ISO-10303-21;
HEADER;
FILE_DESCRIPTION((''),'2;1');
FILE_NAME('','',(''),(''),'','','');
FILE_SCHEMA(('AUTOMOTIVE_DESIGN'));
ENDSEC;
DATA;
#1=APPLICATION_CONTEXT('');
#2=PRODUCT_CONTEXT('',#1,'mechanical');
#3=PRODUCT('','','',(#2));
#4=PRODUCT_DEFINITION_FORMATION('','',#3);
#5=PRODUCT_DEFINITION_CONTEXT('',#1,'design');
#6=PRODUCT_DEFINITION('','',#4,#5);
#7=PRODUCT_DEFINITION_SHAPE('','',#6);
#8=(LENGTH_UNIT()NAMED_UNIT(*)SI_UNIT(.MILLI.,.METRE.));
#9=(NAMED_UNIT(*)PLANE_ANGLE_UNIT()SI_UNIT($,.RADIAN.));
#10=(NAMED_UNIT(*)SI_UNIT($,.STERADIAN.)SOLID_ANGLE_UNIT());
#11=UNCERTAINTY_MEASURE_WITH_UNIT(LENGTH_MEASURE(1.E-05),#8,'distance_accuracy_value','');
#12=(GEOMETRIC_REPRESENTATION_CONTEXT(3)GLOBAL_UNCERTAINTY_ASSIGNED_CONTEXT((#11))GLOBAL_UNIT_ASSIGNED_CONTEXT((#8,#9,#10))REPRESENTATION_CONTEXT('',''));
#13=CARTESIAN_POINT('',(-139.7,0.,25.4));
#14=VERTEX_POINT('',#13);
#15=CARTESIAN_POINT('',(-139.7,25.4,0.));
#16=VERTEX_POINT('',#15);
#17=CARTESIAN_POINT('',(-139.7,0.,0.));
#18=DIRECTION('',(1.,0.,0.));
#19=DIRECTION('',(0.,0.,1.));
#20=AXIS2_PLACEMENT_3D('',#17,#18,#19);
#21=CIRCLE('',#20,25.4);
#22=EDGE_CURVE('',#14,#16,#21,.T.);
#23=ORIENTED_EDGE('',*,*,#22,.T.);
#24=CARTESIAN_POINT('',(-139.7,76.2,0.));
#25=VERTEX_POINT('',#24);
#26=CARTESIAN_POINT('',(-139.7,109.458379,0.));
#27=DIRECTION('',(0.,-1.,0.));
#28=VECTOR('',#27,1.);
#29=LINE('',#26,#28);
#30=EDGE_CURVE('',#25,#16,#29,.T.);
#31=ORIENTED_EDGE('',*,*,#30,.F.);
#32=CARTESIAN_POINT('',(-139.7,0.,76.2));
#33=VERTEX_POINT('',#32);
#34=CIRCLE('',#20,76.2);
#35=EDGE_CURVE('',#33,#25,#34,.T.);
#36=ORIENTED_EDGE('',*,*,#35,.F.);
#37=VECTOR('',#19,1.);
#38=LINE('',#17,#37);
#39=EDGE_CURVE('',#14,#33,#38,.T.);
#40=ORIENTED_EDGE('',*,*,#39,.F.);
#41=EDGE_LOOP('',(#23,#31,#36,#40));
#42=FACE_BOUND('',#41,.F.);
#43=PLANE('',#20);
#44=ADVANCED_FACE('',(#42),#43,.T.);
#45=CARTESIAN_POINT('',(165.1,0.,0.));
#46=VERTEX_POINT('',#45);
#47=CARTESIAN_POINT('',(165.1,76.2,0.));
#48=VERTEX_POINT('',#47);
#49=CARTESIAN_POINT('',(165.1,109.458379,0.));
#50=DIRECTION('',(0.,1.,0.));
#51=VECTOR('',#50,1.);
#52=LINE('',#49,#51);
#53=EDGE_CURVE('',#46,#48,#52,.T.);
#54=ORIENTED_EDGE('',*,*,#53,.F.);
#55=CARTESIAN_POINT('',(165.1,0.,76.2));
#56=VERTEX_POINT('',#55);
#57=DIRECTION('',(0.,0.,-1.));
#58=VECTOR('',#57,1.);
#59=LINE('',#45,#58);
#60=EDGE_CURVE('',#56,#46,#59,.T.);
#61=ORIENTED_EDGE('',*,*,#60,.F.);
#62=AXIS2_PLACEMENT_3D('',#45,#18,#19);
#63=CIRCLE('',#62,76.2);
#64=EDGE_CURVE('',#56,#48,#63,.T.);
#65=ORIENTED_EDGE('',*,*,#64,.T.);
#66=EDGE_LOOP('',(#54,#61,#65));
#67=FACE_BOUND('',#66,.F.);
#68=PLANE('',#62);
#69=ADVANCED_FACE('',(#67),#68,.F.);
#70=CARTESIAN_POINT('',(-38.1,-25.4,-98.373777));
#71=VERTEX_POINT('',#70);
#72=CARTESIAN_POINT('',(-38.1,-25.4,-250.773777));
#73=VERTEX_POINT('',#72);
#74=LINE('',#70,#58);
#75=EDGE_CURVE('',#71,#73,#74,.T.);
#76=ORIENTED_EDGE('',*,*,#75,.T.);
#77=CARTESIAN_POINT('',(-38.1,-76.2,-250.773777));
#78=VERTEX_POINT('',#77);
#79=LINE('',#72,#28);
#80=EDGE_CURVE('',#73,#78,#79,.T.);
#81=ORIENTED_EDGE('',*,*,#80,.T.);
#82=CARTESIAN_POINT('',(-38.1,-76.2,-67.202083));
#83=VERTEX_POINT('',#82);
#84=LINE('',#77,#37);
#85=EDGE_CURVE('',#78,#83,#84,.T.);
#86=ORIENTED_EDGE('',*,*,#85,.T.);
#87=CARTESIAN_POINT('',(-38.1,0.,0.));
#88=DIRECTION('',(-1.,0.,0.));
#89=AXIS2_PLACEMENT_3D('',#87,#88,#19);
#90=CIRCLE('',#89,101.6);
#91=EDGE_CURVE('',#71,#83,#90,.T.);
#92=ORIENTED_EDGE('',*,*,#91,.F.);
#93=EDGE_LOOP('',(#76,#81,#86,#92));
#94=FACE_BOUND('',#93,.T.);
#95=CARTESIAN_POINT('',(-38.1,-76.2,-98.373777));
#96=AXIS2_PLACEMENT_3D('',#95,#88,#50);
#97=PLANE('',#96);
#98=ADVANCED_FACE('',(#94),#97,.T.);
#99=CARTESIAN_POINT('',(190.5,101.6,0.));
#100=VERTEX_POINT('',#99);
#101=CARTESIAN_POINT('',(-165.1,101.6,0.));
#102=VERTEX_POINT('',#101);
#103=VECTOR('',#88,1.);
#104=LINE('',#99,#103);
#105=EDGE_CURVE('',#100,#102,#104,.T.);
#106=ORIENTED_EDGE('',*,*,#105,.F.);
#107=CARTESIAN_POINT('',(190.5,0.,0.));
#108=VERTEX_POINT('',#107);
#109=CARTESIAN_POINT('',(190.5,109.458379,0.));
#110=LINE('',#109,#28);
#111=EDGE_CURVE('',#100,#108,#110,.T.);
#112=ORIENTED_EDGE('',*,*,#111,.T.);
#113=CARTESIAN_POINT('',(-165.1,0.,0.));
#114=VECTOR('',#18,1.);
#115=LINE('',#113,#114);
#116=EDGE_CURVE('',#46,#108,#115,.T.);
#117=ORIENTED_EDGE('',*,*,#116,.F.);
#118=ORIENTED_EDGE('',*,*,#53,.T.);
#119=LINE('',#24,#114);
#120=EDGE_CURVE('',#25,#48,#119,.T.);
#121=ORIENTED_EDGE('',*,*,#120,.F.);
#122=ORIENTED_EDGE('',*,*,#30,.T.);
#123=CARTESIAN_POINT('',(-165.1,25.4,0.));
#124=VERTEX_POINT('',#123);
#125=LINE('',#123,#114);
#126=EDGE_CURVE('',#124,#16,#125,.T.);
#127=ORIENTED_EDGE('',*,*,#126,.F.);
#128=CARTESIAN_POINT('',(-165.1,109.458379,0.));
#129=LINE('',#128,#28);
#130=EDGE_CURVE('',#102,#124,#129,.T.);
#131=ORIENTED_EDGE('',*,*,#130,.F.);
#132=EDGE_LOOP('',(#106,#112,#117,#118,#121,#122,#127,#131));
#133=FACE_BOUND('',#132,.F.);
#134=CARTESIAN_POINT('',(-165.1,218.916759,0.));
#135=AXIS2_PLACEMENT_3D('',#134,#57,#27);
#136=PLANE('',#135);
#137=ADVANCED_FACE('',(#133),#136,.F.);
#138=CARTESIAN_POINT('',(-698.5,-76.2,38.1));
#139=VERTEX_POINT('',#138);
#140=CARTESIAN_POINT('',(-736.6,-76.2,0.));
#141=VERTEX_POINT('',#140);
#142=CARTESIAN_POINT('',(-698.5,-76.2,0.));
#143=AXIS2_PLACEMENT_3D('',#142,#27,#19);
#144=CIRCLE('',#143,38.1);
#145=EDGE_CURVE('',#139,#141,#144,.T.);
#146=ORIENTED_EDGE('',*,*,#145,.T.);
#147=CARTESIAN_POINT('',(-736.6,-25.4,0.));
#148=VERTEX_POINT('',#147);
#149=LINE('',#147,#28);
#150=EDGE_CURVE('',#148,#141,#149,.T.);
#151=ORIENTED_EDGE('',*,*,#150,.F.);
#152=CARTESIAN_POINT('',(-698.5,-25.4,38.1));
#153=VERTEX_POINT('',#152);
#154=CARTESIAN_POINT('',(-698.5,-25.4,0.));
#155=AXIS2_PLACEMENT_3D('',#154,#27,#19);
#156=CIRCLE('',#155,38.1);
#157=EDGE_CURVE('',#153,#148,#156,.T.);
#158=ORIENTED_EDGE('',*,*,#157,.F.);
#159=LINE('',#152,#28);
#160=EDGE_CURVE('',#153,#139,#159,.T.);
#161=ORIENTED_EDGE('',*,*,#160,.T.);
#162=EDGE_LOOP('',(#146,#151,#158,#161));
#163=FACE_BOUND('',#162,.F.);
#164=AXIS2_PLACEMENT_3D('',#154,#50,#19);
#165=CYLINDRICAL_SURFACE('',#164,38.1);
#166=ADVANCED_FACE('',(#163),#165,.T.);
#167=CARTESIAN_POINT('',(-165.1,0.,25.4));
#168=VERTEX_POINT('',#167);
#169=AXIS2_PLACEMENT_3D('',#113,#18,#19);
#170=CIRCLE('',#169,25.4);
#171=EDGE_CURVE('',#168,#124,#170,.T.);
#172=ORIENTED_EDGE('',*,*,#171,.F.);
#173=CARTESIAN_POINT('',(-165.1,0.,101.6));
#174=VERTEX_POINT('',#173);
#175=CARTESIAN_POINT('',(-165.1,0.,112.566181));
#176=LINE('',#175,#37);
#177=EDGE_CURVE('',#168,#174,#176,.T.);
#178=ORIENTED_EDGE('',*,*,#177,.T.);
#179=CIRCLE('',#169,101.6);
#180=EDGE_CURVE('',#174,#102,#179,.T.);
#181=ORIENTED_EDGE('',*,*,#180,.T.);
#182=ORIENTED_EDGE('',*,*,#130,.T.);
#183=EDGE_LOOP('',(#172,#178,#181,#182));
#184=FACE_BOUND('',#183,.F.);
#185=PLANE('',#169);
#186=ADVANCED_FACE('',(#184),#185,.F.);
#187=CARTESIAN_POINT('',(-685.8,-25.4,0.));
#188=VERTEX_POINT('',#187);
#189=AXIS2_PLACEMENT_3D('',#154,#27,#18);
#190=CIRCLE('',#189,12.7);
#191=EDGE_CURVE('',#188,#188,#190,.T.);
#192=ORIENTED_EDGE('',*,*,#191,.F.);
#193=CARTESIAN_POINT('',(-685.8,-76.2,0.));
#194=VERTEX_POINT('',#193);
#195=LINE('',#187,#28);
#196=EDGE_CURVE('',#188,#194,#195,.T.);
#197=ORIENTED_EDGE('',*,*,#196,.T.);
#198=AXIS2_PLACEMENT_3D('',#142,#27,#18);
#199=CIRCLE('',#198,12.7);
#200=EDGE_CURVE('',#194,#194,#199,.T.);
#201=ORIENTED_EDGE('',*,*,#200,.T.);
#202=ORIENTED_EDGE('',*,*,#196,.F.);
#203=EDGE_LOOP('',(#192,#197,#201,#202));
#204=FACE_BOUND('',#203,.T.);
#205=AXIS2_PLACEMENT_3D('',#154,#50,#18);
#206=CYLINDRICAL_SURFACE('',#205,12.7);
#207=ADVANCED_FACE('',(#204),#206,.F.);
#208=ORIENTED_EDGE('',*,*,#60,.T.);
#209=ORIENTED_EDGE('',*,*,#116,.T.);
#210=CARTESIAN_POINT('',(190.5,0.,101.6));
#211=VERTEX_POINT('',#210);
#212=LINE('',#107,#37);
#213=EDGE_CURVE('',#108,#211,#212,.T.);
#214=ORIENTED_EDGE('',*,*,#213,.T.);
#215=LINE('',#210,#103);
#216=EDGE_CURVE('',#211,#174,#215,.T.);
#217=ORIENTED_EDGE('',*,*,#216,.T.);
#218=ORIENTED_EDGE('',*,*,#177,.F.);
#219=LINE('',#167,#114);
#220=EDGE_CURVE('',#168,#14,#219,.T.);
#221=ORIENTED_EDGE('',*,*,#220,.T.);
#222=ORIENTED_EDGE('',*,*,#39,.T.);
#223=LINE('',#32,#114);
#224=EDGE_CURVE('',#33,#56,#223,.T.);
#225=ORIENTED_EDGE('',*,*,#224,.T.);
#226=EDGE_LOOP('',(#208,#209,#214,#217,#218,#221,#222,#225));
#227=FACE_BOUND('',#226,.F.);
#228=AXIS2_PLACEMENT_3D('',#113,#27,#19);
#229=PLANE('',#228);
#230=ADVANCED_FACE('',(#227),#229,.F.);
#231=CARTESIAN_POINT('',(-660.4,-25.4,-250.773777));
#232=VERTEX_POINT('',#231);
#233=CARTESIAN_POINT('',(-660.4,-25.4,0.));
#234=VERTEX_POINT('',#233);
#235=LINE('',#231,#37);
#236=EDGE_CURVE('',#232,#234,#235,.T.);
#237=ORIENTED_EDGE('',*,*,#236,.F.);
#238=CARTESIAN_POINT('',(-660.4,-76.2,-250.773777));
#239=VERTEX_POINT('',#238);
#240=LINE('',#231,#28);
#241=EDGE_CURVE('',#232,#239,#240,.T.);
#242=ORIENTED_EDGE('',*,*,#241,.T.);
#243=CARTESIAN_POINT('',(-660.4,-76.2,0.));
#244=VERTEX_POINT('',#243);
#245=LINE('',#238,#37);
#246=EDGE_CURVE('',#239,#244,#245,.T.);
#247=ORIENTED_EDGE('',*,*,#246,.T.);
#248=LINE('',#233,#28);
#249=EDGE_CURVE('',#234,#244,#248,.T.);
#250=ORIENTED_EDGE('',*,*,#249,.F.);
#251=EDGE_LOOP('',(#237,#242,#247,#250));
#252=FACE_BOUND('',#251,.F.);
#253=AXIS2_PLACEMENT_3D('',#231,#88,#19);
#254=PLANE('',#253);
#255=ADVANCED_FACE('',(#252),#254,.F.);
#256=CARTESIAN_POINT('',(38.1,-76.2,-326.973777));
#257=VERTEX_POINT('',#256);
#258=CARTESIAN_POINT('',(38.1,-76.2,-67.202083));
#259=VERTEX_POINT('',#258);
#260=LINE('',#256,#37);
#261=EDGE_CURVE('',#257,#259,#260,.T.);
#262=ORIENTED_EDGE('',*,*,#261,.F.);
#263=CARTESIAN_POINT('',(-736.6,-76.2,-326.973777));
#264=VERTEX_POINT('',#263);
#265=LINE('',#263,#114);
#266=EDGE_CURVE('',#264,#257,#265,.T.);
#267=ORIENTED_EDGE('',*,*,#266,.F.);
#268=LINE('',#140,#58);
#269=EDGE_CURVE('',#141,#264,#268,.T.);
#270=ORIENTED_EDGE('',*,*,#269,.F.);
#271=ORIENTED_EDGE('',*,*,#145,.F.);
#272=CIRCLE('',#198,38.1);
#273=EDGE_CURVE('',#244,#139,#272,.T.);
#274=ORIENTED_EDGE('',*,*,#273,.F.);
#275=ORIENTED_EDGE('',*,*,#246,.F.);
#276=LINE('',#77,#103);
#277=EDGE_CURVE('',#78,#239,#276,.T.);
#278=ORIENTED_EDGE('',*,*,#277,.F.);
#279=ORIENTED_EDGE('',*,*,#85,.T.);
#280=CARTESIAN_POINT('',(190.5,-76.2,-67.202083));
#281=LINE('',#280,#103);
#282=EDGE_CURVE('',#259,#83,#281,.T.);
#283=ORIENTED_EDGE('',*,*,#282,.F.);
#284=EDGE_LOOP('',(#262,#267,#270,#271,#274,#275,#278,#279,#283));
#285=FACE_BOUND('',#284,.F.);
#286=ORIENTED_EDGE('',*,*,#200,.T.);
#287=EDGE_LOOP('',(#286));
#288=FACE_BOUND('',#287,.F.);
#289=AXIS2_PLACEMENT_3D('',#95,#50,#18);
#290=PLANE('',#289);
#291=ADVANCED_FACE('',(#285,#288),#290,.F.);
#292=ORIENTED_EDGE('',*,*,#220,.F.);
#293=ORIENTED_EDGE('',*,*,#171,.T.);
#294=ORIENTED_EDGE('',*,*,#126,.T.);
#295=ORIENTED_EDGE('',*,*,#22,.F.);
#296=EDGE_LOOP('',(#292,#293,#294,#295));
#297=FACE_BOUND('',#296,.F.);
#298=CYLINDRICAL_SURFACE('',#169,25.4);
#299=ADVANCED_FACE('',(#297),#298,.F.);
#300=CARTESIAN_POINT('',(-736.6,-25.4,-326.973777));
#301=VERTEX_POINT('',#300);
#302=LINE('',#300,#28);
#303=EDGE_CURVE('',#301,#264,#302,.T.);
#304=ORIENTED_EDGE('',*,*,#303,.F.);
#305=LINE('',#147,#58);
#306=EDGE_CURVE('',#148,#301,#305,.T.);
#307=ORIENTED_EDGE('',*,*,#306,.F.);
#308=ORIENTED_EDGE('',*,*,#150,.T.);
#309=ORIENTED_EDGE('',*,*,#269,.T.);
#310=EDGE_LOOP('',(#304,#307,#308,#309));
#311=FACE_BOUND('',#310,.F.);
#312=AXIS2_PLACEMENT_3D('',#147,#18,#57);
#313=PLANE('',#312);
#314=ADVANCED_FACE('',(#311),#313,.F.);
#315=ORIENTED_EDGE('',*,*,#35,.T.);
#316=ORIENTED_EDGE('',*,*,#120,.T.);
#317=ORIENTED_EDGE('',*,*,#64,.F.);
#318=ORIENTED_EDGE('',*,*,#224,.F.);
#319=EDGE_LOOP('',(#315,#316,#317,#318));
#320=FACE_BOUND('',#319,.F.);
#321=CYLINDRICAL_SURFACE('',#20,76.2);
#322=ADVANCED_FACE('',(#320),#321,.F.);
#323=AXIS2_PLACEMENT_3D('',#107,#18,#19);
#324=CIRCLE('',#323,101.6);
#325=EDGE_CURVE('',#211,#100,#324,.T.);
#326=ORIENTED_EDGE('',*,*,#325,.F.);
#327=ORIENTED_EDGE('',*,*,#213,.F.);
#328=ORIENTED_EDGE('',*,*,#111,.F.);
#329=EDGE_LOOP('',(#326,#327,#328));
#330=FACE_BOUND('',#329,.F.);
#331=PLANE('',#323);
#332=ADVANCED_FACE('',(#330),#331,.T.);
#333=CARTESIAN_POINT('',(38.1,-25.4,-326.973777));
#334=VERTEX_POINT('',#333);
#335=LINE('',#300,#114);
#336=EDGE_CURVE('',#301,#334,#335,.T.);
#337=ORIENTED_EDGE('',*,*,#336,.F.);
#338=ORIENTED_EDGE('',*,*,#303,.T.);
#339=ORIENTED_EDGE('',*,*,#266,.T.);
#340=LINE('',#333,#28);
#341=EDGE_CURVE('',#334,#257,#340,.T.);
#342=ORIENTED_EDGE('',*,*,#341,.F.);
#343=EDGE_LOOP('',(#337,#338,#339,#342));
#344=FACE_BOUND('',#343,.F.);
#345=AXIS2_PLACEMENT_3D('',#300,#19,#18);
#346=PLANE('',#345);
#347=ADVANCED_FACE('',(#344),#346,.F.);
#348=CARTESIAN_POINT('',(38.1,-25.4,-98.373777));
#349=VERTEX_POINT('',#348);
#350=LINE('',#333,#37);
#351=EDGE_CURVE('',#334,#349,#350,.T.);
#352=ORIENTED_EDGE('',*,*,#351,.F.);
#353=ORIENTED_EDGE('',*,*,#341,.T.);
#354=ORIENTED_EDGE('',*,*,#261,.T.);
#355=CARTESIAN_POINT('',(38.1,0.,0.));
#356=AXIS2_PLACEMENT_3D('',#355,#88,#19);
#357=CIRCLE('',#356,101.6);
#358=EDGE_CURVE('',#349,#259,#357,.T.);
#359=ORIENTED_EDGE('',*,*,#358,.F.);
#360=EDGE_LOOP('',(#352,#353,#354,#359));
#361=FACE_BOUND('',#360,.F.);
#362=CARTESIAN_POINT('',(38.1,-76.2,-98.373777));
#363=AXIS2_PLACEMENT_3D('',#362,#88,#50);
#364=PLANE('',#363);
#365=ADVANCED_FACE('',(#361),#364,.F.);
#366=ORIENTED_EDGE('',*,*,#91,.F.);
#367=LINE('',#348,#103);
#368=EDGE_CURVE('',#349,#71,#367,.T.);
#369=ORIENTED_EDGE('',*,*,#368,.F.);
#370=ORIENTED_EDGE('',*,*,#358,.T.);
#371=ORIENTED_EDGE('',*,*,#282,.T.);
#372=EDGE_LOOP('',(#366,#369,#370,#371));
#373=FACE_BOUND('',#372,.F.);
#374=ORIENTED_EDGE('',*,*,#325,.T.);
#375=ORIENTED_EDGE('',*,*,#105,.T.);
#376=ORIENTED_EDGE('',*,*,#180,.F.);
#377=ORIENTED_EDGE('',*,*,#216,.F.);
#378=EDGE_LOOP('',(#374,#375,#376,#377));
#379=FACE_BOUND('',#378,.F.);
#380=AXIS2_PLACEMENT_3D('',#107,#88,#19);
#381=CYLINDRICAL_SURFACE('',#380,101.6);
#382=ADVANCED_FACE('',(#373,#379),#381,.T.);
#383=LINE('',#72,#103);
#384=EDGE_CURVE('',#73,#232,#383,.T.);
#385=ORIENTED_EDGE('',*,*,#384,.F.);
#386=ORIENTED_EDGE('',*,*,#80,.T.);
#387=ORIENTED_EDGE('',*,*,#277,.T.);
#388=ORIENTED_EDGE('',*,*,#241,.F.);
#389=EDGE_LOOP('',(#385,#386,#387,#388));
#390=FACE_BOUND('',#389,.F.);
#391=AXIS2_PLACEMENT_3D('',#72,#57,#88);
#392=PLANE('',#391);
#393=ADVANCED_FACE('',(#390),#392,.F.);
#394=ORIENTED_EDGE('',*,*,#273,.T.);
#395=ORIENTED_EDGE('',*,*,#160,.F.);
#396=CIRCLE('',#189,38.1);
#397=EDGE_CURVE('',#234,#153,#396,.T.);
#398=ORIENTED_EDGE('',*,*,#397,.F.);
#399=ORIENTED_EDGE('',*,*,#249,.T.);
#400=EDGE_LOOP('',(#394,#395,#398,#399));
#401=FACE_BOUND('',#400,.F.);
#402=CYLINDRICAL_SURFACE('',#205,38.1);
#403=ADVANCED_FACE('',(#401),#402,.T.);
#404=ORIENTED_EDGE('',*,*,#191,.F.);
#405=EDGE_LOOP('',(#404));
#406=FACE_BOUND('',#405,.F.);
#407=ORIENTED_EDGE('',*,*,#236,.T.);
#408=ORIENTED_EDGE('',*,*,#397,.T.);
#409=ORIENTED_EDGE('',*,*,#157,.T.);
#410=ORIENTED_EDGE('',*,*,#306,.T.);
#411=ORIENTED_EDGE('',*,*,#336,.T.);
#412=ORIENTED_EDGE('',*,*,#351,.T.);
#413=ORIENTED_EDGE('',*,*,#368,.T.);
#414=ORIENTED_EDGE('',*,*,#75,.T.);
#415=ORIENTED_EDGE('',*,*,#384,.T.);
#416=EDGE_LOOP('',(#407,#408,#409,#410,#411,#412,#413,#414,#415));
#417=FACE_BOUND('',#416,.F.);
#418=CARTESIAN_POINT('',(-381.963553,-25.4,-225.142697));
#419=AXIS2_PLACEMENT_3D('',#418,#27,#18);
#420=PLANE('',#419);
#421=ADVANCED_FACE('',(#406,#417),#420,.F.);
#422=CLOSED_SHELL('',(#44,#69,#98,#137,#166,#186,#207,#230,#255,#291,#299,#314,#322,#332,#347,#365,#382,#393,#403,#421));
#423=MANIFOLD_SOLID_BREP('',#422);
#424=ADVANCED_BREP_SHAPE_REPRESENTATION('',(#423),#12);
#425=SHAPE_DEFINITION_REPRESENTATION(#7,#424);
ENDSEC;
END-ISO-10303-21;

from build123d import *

# Parameters (mm, degrees)
F3_R      = 12.7
F4_DEPTH  = 50.8
F4_FACE_W = 76.2
F4_FACE_H = 50.8
F6_W      = 218.9167588949
F6_H      = 225.1323610544
F7_DEPTH  = 723.20793


with BuildPart() as f1:
    # F0 (on Front) → F1 (revolve)
    with BuildSketch(Plane.XZ):
        Polygon((165.1, 76.2), (165.1, 0), (190.5, 0), (190.5, 101.6), (-165.1, 101.6), (-165.1, 25.4), (-139.7, 25.4), (-139.7, 76.2), align=None)
    revolve(axis=Axis((0, 0, 0), (1, 0, 0)))

    # F3 (on offset) → F4 (join)
    with BuildSketch(Plane.XZ.offset(25.4)):
        with BuildLine():
            Line((38.1, -98.3737769937), (-38.1, -98.3737769937))
            Line((-38.1, -98.3737769937), (-38.1, -250.7737769937))
            Line((-38.1, -250.7737769937), (-660.4, -250.7737769937))
            Line((-660.4, -250.7737769937), (-660.4, 0))
            ThreePointArc((-660.4, 0), (-671.5592316368, 26.9407683632), (-698.5, 38.1))
            ThreePointArc((-698.5, 38.1), (-725.4407683632, 26.9407683632), (-736.6, 0))
            Line((-736.6, 0), (-736.6, -326.9737769937))
            Line((-736.6, -326.9737769937), (-660.4, -326.9737769937))
            Line((-660.4, -326.9737769937), (38.1, -326.9737769937))
            Line((38.1, -326.9737769937), (38.1, -250.7737769937))
            Line((38.1, -250.7737769937), (38.1, -98.3737769937))
        make_face()
        with Locations((-698.5, 0)):
            Circle(F3_R, mode=Mode.SUBTRACT)
    extrude(amount=F4_DEPTH)

    # F4_face (on face) → F5 (join, up to the next surface of F1)
    with BuildSketch(Plane(origin=(0, -50.8, -98.3737769937), x_dir=(1, 0, 0), z_dir=(0, 0, 1))):
        Rectangle(F4_FACE_W, F4_FACE_H)
    extrude(until=Until.NEXT)

    # F6 (on face) → F7 (cut)
    with BuildSketch(Plane(origin=(-165.1, 0, 0), x_dir=(0, -1, 0), z_dir=(-1, 0, 0))):
        with Locations((-109.4583794475, 112.5661805272)):
            Rectangle(F6_W, F6_H)
    extrude(amount=-F7_DEPTH, mode=Mode.SUBTRACT)


solid = f1.part
